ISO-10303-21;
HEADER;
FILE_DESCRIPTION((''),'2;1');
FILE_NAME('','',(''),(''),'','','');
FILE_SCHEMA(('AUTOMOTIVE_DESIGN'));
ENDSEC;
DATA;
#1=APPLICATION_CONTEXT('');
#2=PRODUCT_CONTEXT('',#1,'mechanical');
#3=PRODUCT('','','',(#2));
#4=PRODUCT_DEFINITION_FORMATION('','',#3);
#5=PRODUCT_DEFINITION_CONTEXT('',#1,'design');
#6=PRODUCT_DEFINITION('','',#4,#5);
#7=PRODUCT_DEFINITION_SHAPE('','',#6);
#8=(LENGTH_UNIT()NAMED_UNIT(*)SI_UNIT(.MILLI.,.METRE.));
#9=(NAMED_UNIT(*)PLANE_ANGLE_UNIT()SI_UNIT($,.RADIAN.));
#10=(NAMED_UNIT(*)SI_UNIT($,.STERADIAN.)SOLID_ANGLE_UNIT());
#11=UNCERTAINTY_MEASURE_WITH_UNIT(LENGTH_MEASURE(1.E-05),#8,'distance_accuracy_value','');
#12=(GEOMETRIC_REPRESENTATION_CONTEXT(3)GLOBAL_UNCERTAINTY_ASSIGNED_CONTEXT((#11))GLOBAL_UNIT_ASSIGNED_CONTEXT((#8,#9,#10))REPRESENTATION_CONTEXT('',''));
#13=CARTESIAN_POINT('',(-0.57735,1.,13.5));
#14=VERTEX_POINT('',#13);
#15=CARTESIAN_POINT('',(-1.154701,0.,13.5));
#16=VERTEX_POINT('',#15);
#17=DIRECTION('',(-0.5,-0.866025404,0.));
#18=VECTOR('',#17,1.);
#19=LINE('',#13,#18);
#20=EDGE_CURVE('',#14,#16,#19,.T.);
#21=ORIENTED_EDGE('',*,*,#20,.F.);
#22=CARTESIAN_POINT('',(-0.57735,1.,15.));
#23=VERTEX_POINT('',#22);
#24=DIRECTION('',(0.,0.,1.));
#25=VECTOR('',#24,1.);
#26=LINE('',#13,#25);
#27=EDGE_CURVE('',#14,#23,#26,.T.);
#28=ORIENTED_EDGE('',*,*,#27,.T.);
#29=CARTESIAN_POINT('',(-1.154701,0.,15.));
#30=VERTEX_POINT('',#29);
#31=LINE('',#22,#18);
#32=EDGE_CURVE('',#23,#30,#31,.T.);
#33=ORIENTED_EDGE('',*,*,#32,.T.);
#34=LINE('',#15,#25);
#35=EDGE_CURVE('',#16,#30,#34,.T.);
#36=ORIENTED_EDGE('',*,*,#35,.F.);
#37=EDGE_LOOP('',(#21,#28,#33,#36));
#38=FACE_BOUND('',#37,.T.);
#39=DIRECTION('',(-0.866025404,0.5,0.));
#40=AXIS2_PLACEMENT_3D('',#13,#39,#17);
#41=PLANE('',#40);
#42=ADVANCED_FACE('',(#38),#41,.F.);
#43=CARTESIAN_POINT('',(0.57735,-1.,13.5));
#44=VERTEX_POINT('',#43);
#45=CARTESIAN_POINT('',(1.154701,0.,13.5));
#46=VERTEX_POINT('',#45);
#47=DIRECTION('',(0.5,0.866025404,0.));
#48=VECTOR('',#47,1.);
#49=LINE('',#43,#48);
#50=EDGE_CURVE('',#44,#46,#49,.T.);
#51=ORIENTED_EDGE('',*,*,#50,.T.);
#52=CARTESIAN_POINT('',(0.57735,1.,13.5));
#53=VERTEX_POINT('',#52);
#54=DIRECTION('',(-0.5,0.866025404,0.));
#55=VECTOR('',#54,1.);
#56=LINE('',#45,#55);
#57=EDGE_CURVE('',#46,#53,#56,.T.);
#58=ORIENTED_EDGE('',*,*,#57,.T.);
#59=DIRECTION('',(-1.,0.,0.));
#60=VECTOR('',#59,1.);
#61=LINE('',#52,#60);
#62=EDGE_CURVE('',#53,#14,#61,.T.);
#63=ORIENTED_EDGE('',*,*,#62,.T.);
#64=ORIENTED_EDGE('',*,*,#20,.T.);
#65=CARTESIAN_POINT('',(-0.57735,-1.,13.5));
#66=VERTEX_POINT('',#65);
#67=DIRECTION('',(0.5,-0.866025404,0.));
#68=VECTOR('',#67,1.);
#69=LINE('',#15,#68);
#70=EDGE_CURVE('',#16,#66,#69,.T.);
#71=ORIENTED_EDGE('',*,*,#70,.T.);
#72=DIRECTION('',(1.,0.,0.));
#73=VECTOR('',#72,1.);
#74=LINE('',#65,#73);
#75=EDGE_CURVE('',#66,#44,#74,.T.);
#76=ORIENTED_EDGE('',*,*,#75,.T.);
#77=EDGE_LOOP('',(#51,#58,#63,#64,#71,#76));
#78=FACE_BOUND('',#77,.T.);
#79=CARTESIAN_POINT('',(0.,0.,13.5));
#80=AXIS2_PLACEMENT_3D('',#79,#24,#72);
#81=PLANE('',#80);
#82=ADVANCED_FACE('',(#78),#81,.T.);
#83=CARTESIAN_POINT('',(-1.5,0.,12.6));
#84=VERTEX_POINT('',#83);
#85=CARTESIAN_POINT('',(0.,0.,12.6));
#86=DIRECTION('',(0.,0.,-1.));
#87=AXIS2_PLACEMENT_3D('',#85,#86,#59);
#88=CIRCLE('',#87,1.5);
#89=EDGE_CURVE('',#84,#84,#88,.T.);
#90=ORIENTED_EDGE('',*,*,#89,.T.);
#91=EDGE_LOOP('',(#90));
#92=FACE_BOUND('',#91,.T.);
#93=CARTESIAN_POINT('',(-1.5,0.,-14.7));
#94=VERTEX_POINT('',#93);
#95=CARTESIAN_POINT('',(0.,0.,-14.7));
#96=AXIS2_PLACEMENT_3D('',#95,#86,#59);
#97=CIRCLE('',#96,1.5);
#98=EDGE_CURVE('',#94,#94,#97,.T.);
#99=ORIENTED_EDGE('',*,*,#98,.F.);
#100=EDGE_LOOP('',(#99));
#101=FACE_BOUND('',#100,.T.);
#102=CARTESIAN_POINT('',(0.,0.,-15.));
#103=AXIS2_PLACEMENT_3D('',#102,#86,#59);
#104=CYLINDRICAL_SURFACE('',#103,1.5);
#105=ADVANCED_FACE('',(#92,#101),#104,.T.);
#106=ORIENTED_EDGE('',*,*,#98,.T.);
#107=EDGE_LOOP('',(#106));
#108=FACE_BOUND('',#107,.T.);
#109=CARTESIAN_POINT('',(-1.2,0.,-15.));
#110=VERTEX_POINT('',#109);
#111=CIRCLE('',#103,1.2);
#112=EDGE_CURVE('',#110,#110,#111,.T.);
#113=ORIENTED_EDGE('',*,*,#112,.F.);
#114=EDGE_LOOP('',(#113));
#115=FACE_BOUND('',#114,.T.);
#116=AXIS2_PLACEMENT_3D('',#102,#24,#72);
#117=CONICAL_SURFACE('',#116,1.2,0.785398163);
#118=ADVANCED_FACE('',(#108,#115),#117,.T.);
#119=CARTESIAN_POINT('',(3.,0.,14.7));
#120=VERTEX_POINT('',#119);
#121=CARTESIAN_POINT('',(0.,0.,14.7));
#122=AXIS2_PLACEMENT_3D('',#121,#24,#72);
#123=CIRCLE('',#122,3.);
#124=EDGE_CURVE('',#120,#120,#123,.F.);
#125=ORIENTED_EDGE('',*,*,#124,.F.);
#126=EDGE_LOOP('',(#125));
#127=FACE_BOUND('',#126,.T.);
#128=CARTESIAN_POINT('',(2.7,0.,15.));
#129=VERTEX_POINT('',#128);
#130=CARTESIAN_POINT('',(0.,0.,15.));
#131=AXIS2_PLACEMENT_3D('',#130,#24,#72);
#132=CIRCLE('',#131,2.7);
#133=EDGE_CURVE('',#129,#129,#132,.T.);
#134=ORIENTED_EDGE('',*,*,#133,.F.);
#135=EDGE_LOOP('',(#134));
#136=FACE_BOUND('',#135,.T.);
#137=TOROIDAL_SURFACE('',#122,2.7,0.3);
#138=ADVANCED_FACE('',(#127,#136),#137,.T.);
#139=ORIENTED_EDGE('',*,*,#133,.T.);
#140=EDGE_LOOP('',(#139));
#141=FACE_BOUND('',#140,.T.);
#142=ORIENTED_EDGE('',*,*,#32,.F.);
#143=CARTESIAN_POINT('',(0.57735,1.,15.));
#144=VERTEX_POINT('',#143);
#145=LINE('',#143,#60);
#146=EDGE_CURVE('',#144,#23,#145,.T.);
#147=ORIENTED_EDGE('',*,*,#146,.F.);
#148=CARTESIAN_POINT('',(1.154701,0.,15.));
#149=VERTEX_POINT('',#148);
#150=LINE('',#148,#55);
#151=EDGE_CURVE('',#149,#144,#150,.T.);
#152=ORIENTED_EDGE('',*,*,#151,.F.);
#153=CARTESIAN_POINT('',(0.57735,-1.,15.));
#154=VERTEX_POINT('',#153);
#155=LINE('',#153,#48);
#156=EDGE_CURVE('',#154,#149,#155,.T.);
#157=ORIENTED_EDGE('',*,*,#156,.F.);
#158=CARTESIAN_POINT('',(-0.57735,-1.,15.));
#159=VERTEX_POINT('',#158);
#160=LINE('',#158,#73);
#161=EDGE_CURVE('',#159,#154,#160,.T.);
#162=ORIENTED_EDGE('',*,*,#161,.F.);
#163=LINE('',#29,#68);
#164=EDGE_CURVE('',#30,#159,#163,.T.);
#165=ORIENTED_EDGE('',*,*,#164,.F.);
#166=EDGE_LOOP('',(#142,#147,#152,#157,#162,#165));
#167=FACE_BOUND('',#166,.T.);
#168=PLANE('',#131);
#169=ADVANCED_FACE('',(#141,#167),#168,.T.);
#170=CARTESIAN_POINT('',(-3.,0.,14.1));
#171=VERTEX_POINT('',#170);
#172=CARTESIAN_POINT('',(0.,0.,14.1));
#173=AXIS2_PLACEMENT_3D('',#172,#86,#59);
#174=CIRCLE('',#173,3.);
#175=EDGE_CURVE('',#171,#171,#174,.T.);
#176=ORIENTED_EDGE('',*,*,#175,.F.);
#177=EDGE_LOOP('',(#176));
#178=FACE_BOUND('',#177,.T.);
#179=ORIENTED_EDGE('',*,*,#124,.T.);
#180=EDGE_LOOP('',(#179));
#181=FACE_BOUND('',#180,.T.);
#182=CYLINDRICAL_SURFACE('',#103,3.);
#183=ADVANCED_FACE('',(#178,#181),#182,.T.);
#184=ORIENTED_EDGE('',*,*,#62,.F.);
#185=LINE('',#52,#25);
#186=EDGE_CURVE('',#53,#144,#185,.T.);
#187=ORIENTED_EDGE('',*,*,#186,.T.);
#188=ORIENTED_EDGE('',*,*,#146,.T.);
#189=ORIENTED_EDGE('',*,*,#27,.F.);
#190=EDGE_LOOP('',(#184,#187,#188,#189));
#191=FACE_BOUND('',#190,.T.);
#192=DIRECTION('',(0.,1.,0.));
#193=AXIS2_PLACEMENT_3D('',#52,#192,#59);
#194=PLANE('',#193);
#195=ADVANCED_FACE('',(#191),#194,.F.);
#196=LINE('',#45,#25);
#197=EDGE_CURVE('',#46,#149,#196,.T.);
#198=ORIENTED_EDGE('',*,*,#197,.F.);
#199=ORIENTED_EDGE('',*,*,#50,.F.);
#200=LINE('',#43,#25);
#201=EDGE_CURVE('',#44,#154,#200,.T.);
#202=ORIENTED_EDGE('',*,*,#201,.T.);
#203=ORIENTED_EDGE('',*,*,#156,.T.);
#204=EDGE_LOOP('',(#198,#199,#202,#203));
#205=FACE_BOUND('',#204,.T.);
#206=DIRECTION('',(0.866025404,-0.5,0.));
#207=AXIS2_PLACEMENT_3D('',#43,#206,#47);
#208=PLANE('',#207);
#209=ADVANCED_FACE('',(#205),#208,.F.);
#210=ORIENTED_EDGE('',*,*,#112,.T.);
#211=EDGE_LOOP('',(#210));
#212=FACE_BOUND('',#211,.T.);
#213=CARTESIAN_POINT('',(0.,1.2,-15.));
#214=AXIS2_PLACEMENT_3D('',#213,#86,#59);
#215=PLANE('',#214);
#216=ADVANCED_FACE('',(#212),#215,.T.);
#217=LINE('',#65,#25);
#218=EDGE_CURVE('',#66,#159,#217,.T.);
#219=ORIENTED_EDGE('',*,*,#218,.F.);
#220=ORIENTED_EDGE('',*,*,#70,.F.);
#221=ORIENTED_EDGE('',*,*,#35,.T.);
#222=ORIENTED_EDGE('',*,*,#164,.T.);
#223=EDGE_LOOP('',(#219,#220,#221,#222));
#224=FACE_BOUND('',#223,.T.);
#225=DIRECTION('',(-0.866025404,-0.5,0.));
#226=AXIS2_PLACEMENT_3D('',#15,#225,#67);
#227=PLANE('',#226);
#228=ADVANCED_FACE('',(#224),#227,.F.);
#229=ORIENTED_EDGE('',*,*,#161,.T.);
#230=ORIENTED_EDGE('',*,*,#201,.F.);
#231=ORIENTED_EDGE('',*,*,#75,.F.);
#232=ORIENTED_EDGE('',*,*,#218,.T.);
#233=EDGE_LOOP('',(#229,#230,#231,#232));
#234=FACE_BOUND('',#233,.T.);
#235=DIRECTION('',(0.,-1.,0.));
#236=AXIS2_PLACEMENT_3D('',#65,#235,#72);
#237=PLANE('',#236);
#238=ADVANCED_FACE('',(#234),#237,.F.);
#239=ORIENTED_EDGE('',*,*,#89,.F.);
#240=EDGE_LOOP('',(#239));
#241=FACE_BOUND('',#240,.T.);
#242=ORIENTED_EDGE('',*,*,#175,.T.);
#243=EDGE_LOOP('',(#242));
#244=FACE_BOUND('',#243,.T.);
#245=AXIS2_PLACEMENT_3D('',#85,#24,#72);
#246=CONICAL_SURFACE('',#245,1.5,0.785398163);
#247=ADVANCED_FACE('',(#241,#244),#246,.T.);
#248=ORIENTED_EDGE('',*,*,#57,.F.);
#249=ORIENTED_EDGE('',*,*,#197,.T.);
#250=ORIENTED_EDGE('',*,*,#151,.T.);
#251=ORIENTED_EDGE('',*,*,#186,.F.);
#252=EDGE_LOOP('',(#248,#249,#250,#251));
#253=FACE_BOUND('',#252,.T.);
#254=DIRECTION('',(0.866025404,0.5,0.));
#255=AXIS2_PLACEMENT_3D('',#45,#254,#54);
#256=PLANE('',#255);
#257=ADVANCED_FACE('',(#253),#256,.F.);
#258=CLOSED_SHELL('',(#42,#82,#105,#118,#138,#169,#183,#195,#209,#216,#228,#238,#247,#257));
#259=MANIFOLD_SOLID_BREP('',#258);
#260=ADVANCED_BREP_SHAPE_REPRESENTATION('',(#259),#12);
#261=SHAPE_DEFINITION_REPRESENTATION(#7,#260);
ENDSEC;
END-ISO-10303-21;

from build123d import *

# Parameters (mm, degrees)
CUT_EXTRUDE_1_DEPTH = 1.5
FILLET_1_R          = 0.3


with BuildPart() as part:
    # 草图1 → 旋转1 (revolve)
    with BuildSketch(Plane(origin=(0, 0, 0), x_dir=(0, 0, -1), z_dir=(1, 0, 0)), mode=Mode.PRIVATE) as revolve_1_sk:
        Polygon((-15, 0), (-15, 3), (-14.1, 3), (-12.6, 1.5), (14.7, 1.5), (15, 1.2), (15, 0), align=None)
    revolve(revolve_1_sk.sketch.rotate(Axis((0, 0, -15), (0, 0, 1)), 90), axis=Axis((0, 0, -15), (0, 0, 1)))

    # 草图2 → 切除-拉伸1 (cut)
    with BuildSketch(Plane.XY.offset(15)):
        Polygon((1.154700538, 0), (0.577350269, 1), (-0.577350269, 1), (-1.154700538, 0), (-0.577350269, -1), (0.577350269, -1), align=None)
    extrude(amount=-CUT_EXTRUDE_1_DEPTH, mode=Mode.SUBTRACT)

    # 圆角1
    fillet_1_edges = [part.edges().sort_by_distance(p)[0] for p in [
        (3, 0, 15),
    ]]
    fillet(fillet_1_edges, radius=FILLET_1_R)


solid = part.part
